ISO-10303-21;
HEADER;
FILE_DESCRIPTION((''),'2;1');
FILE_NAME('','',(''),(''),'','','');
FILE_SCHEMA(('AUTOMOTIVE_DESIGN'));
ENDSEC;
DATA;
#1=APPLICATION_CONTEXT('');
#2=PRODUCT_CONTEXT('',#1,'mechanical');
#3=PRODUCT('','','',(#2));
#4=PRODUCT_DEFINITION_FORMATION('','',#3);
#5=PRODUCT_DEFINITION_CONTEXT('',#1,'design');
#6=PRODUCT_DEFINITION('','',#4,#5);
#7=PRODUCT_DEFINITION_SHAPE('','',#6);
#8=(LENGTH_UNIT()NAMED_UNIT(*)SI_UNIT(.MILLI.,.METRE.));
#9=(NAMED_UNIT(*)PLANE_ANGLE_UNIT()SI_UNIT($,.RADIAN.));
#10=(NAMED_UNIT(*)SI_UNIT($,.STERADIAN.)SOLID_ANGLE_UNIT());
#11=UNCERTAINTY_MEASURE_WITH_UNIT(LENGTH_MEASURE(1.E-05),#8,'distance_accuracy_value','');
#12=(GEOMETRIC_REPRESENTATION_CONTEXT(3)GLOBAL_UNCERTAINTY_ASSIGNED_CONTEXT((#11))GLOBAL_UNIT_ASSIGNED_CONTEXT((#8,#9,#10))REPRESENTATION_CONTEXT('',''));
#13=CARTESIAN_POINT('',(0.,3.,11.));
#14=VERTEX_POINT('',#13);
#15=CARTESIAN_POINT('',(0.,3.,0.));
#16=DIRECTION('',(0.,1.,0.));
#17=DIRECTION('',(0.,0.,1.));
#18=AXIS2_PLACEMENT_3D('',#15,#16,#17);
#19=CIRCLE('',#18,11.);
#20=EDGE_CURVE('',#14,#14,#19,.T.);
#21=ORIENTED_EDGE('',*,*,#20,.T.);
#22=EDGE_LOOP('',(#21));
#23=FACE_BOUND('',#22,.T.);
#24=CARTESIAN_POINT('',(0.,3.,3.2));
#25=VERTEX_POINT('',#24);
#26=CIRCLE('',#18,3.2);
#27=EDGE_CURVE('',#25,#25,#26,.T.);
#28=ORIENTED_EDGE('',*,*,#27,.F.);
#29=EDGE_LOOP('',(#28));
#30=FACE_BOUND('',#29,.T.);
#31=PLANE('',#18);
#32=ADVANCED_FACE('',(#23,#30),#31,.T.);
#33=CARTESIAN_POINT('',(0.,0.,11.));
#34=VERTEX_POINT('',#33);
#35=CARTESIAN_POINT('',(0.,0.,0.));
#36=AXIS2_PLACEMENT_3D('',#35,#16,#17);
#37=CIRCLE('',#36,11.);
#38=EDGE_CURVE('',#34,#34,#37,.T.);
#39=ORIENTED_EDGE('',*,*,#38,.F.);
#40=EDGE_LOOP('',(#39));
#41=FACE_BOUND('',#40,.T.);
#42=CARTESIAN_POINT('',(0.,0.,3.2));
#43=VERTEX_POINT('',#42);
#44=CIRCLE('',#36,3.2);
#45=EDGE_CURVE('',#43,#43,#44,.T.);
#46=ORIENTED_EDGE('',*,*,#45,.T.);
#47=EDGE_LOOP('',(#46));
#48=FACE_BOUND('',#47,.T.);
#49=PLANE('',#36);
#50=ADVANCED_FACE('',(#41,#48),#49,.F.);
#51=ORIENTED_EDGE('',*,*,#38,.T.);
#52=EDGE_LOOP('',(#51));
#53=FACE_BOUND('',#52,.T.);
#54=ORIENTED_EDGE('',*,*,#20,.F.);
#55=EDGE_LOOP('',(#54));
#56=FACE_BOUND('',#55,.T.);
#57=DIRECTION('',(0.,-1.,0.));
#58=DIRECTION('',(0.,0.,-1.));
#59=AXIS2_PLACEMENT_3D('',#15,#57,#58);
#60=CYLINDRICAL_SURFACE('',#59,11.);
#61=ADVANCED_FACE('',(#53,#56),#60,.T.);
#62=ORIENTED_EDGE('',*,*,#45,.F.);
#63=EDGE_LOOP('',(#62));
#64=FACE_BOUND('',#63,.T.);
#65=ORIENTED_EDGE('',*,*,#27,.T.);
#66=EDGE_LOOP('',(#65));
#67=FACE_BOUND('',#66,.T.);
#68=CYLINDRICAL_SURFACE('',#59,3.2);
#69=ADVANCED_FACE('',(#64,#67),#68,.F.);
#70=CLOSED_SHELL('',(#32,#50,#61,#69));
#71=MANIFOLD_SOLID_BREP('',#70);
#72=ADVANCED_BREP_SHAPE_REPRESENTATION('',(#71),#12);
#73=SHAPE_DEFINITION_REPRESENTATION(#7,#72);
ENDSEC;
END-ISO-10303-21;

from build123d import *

# Parameters (mm, degrees)
CROQUIS1_R              = 11
CROQUIS1_R_2            = 3.2
SALIENTE_EXTRUIR1_DEPTH = 3


with BuildPart() as part:
    # Croquis1 → Saliente-Extruir1 (new body)
    with BuildSketch(Plane(origin=(0, 0, 0), x_dir=(1, 0, 0), z_dir=(0, 1, 0))):
        Circle(CROQUIS1_R)
        Circle(CROQUIS1_R_2, mode=Mode.SUBTRACT)
    extrude(amount=SALIENTE_EXTRUIR1_DEPTH)


solid = part.part
